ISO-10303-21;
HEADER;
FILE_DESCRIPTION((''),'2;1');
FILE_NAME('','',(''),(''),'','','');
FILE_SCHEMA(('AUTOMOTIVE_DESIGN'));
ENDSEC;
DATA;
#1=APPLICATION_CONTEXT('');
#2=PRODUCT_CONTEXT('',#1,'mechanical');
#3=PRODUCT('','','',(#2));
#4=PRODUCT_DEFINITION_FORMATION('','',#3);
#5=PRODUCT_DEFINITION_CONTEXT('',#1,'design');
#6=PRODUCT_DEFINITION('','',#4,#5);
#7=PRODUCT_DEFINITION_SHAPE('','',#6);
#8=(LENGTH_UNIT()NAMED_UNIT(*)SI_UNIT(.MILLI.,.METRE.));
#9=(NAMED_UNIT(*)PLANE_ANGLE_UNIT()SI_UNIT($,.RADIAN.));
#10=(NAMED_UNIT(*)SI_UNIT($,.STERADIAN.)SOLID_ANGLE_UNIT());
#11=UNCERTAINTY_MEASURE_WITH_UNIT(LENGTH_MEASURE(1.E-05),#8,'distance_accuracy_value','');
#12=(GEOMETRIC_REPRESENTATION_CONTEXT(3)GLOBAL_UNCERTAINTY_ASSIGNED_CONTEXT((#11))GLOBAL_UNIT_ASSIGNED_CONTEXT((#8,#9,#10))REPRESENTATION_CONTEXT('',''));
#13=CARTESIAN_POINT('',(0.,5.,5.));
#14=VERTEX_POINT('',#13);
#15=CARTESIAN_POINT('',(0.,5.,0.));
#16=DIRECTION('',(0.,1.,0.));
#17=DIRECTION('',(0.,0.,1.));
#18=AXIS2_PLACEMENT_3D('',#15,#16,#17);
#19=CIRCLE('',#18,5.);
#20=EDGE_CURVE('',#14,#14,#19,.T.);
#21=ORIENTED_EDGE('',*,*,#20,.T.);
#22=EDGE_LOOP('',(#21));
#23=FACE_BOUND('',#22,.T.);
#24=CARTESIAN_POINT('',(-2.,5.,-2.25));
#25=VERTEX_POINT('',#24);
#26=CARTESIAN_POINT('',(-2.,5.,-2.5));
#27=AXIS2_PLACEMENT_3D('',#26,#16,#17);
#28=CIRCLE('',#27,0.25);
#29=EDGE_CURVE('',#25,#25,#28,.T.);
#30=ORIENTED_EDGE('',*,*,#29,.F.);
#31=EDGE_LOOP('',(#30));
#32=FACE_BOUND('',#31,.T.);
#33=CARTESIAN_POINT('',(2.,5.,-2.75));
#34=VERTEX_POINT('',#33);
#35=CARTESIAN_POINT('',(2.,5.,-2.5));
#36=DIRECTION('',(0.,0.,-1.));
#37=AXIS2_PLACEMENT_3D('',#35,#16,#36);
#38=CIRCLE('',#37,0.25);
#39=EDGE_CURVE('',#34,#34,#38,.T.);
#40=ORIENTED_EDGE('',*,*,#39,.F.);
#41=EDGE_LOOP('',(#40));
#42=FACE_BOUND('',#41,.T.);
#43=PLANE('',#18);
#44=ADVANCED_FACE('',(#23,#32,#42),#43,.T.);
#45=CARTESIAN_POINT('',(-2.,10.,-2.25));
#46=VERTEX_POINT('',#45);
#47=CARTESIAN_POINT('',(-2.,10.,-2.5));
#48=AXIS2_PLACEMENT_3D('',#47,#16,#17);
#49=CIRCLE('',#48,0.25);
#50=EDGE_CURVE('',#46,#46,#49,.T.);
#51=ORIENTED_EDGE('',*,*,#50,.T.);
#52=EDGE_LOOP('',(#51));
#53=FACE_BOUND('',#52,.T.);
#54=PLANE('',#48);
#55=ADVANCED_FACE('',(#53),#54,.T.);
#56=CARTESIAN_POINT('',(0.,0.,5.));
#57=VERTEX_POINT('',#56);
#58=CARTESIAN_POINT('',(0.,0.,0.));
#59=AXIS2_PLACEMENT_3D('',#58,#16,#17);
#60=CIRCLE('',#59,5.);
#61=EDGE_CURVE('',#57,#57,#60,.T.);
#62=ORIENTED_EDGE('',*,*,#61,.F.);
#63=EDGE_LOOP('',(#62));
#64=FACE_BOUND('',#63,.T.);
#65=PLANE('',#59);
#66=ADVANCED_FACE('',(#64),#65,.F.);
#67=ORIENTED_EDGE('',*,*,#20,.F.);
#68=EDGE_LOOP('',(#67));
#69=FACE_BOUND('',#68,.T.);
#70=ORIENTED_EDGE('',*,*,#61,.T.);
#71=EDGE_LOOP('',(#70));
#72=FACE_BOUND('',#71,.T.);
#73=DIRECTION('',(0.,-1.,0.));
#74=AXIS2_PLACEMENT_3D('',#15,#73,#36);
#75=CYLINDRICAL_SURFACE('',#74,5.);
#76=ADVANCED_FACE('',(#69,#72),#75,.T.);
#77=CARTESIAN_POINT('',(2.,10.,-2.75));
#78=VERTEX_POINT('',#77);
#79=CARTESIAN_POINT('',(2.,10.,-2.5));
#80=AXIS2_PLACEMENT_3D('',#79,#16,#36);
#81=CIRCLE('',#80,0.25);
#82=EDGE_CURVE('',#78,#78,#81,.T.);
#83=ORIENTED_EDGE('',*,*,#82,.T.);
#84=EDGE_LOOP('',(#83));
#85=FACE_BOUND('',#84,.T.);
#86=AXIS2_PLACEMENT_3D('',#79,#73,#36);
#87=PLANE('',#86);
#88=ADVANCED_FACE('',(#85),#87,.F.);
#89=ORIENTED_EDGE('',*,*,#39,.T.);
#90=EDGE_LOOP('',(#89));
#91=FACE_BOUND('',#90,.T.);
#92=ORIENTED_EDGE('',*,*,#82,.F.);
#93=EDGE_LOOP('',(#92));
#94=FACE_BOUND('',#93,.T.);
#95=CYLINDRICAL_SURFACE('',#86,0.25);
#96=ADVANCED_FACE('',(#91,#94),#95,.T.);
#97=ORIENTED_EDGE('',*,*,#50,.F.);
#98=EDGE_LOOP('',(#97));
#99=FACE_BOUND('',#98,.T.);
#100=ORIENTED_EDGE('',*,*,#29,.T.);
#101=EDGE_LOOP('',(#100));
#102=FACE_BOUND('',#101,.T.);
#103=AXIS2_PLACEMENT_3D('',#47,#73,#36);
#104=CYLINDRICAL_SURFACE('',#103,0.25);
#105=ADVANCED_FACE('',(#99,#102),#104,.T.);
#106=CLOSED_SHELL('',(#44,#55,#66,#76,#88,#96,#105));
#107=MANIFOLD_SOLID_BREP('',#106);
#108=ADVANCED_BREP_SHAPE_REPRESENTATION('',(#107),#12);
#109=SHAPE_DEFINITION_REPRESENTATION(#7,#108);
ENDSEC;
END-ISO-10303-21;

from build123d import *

# Parameters (mm, degrees)
SKETCH1_R           = 5
BOSS_EXTRUDE1_DEPTH = 5
SKETCH2_R           = 0.25
BOSS_EXTRUDE2_DEPTH = 5


with BuildPart() as part:
    # Sketch1 → Boss-Extrude1 (new body)
    with BuildSketch(Plane(origin=(0, 0, 0), x_dir=(1, 0, 0), z_dir=(0, 1, 0))):
        Circle(SKETCH1_R)
    extrude(amount=BOSS_EXTRUDE1_DEPTH)

    # Sketch2 → Boss-Extrude2 (add)
    with BuildSketch(Plane(origin=(0, 5, 0), x_dir=(1, 0, 0), z_dir=(0, 1, 0))):
        with Locations((-2, 2.5)):
            Circle(SKETCH2_R)
        with Locations((2, 2.5)):
            Circle(SKETCH2_R)
    extrude(amount=BOSS_EXTRUDE2_DEPTH)


solid = part.part
